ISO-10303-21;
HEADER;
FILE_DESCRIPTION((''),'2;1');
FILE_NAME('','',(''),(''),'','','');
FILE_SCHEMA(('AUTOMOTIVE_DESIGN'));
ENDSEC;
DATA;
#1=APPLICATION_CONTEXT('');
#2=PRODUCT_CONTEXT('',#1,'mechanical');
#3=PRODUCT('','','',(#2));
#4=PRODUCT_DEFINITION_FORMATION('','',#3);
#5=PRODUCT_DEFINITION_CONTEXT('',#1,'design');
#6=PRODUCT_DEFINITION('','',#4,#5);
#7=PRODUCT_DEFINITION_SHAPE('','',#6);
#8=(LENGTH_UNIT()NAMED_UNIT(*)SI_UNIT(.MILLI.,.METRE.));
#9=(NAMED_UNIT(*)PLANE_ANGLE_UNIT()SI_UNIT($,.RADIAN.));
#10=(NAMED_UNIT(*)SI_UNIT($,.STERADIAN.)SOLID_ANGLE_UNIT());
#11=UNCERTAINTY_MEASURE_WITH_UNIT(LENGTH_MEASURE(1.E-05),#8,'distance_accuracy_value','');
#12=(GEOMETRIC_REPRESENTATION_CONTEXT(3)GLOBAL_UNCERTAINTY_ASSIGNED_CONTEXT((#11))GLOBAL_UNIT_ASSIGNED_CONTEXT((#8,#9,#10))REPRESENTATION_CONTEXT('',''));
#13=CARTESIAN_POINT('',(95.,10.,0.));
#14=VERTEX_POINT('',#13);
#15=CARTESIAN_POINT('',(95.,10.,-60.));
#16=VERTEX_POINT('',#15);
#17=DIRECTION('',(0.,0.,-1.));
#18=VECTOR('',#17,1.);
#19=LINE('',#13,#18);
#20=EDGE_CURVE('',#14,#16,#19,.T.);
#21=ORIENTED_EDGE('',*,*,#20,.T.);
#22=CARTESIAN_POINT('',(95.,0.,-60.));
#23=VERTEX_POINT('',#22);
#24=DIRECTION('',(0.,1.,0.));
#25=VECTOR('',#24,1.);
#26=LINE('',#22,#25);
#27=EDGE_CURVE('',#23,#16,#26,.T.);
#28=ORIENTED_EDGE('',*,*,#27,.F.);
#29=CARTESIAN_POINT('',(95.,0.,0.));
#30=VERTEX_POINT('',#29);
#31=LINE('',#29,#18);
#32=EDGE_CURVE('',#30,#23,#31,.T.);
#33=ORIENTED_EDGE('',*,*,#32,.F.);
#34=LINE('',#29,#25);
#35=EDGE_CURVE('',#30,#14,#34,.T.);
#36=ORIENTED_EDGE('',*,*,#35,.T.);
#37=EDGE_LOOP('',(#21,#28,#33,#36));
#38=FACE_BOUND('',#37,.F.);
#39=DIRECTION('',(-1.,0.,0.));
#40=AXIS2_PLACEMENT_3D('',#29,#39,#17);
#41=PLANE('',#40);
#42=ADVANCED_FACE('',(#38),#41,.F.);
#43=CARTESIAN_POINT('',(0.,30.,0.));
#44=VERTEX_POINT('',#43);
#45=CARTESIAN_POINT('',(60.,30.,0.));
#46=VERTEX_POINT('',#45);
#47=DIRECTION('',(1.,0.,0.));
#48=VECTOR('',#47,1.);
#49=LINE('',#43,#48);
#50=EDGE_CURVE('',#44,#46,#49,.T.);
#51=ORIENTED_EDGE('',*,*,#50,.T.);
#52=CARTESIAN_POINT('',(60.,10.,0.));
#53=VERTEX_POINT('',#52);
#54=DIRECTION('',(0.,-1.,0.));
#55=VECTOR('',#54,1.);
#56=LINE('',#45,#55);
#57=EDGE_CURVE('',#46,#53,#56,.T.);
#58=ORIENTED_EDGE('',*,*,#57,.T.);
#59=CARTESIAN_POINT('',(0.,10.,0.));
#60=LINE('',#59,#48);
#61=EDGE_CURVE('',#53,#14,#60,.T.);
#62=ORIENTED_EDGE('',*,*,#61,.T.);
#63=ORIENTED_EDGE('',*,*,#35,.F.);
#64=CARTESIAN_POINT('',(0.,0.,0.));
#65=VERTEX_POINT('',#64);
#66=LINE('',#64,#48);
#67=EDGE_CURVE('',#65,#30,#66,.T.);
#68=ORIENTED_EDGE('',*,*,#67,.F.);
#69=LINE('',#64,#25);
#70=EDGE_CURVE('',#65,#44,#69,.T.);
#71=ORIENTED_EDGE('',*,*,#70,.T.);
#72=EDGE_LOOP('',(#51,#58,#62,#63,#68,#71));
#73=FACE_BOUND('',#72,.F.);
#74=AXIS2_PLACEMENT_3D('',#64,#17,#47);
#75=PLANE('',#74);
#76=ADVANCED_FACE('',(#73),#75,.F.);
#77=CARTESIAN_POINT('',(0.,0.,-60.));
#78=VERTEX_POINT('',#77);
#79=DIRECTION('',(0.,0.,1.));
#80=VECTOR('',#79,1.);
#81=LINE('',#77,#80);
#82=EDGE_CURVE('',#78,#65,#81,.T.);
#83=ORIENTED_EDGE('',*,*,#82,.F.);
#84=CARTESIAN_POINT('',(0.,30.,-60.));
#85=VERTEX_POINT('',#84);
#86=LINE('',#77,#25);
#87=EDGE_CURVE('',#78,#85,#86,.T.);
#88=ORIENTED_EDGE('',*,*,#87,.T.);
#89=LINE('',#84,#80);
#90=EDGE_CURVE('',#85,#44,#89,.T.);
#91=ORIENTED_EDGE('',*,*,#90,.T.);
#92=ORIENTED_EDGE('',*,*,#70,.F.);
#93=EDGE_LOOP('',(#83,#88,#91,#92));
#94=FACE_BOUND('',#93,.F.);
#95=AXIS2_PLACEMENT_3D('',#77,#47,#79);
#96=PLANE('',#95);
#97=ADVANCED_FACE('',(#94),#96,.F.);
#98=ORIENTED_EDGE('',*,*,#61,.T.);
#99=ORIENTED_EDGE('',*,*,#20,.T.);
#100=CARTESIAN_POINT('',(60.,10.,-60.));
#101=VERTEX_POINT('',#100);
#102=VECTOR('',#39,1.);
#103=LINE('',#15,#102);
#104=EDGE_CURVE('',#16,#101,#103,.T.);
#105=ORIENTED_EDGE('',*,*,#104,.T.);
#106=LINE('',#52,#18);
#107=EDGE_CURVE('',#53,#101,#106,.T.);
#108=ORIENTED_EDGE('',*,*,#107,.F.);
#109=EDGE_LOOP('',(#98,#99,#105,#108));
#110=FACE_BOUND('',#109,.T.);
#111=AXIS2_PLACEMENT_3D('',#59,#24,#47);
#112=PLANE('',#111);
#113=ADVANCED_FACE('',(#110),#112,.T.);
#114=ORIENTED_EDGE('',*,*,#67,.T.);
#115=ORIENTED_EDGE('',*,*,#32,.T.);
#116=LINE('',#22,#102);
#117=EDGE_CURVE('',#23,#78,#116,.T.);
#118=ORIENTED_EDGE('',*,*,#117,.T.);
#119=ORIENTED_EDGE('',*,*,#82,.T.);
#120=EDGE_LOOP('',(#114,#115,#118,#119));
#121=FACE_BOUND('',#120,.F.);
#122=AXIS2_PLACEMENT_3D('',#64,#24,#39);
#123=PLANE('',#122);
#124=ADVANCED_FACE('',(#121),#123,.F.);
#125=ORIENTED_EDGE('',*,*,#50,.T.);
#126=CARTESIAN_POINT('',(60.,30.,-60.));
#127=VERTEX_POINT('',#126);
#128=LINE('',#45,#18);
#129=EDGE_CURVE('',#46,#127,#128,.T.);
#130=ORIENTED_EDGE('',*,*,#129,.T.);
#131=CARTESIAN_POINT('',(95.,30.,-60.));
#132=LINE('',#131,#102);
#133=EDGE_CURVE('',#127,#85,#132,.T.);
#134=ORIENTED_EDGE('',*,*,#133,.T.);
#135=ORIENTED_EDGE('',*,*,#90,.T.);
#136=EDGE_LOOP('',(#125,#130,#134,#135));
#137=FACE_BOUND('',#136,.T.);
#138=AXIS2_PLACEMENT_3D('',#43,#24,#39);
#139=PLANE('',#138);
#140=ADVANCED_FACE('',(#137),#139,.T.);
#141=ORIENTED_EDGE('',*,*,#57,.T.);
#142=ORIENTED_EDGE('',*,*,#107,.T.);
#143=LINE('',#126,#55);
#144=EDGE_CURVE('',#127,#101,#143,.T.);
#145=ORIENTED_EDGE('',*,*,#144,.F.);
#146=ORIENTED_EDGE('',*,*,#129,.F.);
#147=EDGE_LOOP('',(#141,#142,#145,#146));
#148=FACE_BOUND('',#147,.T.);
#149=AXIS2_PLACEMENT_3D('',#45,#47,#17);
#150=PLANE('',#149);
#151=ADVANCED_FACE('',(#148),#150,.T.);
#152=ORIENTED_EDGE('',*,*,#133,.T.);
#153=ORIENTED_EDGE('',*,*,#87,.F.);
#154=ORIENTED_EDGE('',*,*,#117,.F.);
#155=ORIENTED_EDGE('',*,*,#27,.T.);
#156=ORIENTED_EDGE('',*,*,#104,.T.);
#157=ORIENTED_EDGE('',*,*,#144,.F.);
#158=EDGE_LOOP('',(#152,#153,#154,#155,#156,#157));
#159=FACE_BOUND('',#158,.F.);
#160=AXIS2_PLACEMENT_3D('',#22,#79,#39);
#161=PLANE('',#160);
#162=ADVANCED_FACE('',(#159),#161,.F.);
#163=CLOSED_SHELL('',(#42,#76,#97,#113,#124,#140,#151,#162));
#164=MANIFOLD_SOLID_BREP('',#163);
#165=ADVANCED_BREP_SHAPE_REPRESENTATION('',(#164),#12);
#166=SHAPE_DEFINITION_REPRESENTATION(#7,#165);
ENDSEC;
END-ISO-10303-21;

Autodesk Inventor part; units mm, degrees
ref_plane "YZ Plane" through (0, 0, 0) normal (1, 0, 0) x (0, 1, 0)
ref_plane "XZ Plane" through (0, 0, 0) normal (0, 1, 0) x (-1, 0, 0)
ref_plane "XY Plane" through (0, 0, 0) normal (0, 0, 1) x (1, 0, 0)
sketch "Sketch1" plane through (0, 0, 0) normal (0, 1, 0) x (-1, 0, 0)
  line L0 (0, 0) -> (-95, 0)
  line L1 (-95, 0) -> (-95, -60)
  line L2 (-95, -60) -> (0, -60)
  line L3 (0, -60) -> (0, 0)
  dimension "d0" = 95
  dimension "d1" = 60
extrude "Extrusion1" add sketch "Sketch1" along normal blind 30
sketch "Sketch2" plane through (0, 30, 0) normal (0, 1, 0) x (1, 0, 0)
  line L0 (0, 0) -> (95, 0) projected
  line L1 (0, 0) -> (60, 0)
  line L2 (60, 0) -> (95, 0)
  line L3 (95, 0) -> (95, 60) projected
  line L4 (95, 0) -> (95, 60)
  line L5 (95, 60) -> (60, 60)
  line L6 (95, 60) -> (0, 60) projected
  line L7 (60, 0) -> (60, 60)
  dimension "d4" = 60
extrude "Extrusion2" cut sketch "Sketch2" against normal blind 20
properties part number "Blokje"
